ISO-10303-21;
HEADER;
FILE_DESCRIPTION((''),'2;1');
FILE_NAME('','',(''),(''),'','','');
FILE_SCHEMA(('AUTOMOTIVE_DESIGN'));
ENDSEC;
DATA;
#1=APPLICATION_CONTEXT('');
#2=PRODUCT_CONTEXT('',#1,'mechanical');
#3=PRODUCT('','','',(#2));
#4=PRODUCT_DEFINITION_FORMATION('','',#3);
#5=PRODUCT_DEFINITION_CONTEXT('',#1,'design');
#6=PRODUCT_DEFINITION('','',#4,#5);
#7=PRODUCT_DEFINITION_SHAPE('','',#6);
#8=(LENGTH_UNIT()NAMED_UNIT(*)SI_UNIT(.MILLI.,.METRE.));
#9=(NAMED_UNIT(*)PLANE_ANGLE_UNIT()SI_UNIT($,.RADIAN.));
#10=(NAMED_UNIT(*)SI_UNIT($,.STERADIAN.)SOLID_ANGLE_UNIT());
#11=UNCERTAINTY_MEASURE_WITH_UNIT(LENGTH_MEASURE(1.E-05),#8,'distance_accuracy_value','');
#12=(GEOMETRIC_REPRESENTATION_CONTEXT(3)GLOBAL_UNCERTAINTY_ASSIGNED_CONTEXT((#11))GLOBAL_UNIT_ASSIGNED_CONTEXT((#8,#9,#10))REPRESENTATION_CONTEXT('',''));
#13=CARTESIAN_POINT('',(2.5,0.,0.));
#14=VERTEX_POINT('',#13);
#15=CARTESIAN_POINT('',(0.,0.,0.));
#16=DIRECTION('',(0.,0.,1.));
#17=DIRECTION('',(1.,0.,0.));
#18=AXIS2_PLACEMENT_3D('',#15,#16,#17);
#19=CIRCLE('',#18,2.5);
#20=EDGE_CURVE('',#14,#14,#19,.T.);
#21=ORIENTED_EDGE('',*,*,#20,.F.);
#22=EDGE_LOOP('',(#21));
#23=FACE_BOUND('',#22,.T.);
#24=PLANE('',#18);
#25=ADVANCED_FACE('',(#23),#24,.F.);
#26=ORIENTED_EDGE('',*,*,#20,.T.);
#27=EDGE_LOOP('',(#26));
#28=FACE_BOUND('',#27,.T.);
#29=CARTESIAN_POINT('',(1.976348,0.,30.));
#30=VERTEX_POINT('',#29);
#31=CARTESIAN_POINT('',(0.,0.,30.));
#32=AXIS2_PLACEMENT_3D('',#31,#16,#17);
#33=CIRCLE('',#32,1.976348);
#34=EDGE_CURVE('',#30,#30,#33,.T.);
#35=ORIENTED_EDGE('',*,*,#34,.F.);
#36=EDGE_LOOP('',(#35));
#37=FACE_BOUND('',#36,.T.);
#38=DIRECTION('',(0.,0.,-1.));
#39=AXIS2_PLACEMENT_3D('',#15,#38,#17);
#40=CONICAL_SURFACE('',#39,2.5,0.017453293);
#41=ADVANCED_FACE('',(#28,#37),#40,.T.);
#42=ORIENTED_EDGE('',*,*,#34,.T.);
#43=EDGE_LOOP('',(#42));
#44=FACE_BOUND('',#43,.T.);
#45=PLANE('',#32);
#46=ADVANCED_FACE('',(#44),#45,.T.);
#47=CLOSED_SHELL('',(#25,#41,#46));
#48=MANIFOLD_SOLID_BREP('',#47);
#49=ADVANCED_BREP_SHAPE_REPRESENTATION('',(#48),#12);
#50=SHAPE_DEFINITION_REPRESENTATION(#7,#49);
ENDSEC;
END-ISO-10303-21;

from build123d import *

# Parameters (mm, degrees)
SKETCH1_R           = 2.5
BOSS_EXTRUDE1_DEPTH = 30
DRAFT2_ANGLE        = 1
DRAFT4_ANGLE        = -1


with BuildPart() as part:
    # Sketch1 → Boss-Extrude1 (new body)
    with BuildSketch(Plane.XY):
        Circle(SKETCH1_R)
    extrude(amount=BOSS_EXTRUDE1_DEPTH)

    # Draft2
    draft2_faces = [part.faces().sort_by_distance(p)[0] for p in [
        (-2.5, 0, 15),
    ]]
    draft(draft2_faces, Plane(origin=(0, 0, 0), x_dir=(-1, 0, 0), z_dir=(0, 0, -1)), DRAFT2_ANGLE)

    # Draft4
    draft4_faces = [part.faces().sort_by_distance(p)[0] for p in [
        (-2.761825974, 0, 15),
    ]]
    draft(draft4_faces, Plane(origin=(0, 0, 0), x_dir=(-1, 0, 0), z_dir=(0, 0, -1)), DRAFT4_ANGLE)


solid = part.part
